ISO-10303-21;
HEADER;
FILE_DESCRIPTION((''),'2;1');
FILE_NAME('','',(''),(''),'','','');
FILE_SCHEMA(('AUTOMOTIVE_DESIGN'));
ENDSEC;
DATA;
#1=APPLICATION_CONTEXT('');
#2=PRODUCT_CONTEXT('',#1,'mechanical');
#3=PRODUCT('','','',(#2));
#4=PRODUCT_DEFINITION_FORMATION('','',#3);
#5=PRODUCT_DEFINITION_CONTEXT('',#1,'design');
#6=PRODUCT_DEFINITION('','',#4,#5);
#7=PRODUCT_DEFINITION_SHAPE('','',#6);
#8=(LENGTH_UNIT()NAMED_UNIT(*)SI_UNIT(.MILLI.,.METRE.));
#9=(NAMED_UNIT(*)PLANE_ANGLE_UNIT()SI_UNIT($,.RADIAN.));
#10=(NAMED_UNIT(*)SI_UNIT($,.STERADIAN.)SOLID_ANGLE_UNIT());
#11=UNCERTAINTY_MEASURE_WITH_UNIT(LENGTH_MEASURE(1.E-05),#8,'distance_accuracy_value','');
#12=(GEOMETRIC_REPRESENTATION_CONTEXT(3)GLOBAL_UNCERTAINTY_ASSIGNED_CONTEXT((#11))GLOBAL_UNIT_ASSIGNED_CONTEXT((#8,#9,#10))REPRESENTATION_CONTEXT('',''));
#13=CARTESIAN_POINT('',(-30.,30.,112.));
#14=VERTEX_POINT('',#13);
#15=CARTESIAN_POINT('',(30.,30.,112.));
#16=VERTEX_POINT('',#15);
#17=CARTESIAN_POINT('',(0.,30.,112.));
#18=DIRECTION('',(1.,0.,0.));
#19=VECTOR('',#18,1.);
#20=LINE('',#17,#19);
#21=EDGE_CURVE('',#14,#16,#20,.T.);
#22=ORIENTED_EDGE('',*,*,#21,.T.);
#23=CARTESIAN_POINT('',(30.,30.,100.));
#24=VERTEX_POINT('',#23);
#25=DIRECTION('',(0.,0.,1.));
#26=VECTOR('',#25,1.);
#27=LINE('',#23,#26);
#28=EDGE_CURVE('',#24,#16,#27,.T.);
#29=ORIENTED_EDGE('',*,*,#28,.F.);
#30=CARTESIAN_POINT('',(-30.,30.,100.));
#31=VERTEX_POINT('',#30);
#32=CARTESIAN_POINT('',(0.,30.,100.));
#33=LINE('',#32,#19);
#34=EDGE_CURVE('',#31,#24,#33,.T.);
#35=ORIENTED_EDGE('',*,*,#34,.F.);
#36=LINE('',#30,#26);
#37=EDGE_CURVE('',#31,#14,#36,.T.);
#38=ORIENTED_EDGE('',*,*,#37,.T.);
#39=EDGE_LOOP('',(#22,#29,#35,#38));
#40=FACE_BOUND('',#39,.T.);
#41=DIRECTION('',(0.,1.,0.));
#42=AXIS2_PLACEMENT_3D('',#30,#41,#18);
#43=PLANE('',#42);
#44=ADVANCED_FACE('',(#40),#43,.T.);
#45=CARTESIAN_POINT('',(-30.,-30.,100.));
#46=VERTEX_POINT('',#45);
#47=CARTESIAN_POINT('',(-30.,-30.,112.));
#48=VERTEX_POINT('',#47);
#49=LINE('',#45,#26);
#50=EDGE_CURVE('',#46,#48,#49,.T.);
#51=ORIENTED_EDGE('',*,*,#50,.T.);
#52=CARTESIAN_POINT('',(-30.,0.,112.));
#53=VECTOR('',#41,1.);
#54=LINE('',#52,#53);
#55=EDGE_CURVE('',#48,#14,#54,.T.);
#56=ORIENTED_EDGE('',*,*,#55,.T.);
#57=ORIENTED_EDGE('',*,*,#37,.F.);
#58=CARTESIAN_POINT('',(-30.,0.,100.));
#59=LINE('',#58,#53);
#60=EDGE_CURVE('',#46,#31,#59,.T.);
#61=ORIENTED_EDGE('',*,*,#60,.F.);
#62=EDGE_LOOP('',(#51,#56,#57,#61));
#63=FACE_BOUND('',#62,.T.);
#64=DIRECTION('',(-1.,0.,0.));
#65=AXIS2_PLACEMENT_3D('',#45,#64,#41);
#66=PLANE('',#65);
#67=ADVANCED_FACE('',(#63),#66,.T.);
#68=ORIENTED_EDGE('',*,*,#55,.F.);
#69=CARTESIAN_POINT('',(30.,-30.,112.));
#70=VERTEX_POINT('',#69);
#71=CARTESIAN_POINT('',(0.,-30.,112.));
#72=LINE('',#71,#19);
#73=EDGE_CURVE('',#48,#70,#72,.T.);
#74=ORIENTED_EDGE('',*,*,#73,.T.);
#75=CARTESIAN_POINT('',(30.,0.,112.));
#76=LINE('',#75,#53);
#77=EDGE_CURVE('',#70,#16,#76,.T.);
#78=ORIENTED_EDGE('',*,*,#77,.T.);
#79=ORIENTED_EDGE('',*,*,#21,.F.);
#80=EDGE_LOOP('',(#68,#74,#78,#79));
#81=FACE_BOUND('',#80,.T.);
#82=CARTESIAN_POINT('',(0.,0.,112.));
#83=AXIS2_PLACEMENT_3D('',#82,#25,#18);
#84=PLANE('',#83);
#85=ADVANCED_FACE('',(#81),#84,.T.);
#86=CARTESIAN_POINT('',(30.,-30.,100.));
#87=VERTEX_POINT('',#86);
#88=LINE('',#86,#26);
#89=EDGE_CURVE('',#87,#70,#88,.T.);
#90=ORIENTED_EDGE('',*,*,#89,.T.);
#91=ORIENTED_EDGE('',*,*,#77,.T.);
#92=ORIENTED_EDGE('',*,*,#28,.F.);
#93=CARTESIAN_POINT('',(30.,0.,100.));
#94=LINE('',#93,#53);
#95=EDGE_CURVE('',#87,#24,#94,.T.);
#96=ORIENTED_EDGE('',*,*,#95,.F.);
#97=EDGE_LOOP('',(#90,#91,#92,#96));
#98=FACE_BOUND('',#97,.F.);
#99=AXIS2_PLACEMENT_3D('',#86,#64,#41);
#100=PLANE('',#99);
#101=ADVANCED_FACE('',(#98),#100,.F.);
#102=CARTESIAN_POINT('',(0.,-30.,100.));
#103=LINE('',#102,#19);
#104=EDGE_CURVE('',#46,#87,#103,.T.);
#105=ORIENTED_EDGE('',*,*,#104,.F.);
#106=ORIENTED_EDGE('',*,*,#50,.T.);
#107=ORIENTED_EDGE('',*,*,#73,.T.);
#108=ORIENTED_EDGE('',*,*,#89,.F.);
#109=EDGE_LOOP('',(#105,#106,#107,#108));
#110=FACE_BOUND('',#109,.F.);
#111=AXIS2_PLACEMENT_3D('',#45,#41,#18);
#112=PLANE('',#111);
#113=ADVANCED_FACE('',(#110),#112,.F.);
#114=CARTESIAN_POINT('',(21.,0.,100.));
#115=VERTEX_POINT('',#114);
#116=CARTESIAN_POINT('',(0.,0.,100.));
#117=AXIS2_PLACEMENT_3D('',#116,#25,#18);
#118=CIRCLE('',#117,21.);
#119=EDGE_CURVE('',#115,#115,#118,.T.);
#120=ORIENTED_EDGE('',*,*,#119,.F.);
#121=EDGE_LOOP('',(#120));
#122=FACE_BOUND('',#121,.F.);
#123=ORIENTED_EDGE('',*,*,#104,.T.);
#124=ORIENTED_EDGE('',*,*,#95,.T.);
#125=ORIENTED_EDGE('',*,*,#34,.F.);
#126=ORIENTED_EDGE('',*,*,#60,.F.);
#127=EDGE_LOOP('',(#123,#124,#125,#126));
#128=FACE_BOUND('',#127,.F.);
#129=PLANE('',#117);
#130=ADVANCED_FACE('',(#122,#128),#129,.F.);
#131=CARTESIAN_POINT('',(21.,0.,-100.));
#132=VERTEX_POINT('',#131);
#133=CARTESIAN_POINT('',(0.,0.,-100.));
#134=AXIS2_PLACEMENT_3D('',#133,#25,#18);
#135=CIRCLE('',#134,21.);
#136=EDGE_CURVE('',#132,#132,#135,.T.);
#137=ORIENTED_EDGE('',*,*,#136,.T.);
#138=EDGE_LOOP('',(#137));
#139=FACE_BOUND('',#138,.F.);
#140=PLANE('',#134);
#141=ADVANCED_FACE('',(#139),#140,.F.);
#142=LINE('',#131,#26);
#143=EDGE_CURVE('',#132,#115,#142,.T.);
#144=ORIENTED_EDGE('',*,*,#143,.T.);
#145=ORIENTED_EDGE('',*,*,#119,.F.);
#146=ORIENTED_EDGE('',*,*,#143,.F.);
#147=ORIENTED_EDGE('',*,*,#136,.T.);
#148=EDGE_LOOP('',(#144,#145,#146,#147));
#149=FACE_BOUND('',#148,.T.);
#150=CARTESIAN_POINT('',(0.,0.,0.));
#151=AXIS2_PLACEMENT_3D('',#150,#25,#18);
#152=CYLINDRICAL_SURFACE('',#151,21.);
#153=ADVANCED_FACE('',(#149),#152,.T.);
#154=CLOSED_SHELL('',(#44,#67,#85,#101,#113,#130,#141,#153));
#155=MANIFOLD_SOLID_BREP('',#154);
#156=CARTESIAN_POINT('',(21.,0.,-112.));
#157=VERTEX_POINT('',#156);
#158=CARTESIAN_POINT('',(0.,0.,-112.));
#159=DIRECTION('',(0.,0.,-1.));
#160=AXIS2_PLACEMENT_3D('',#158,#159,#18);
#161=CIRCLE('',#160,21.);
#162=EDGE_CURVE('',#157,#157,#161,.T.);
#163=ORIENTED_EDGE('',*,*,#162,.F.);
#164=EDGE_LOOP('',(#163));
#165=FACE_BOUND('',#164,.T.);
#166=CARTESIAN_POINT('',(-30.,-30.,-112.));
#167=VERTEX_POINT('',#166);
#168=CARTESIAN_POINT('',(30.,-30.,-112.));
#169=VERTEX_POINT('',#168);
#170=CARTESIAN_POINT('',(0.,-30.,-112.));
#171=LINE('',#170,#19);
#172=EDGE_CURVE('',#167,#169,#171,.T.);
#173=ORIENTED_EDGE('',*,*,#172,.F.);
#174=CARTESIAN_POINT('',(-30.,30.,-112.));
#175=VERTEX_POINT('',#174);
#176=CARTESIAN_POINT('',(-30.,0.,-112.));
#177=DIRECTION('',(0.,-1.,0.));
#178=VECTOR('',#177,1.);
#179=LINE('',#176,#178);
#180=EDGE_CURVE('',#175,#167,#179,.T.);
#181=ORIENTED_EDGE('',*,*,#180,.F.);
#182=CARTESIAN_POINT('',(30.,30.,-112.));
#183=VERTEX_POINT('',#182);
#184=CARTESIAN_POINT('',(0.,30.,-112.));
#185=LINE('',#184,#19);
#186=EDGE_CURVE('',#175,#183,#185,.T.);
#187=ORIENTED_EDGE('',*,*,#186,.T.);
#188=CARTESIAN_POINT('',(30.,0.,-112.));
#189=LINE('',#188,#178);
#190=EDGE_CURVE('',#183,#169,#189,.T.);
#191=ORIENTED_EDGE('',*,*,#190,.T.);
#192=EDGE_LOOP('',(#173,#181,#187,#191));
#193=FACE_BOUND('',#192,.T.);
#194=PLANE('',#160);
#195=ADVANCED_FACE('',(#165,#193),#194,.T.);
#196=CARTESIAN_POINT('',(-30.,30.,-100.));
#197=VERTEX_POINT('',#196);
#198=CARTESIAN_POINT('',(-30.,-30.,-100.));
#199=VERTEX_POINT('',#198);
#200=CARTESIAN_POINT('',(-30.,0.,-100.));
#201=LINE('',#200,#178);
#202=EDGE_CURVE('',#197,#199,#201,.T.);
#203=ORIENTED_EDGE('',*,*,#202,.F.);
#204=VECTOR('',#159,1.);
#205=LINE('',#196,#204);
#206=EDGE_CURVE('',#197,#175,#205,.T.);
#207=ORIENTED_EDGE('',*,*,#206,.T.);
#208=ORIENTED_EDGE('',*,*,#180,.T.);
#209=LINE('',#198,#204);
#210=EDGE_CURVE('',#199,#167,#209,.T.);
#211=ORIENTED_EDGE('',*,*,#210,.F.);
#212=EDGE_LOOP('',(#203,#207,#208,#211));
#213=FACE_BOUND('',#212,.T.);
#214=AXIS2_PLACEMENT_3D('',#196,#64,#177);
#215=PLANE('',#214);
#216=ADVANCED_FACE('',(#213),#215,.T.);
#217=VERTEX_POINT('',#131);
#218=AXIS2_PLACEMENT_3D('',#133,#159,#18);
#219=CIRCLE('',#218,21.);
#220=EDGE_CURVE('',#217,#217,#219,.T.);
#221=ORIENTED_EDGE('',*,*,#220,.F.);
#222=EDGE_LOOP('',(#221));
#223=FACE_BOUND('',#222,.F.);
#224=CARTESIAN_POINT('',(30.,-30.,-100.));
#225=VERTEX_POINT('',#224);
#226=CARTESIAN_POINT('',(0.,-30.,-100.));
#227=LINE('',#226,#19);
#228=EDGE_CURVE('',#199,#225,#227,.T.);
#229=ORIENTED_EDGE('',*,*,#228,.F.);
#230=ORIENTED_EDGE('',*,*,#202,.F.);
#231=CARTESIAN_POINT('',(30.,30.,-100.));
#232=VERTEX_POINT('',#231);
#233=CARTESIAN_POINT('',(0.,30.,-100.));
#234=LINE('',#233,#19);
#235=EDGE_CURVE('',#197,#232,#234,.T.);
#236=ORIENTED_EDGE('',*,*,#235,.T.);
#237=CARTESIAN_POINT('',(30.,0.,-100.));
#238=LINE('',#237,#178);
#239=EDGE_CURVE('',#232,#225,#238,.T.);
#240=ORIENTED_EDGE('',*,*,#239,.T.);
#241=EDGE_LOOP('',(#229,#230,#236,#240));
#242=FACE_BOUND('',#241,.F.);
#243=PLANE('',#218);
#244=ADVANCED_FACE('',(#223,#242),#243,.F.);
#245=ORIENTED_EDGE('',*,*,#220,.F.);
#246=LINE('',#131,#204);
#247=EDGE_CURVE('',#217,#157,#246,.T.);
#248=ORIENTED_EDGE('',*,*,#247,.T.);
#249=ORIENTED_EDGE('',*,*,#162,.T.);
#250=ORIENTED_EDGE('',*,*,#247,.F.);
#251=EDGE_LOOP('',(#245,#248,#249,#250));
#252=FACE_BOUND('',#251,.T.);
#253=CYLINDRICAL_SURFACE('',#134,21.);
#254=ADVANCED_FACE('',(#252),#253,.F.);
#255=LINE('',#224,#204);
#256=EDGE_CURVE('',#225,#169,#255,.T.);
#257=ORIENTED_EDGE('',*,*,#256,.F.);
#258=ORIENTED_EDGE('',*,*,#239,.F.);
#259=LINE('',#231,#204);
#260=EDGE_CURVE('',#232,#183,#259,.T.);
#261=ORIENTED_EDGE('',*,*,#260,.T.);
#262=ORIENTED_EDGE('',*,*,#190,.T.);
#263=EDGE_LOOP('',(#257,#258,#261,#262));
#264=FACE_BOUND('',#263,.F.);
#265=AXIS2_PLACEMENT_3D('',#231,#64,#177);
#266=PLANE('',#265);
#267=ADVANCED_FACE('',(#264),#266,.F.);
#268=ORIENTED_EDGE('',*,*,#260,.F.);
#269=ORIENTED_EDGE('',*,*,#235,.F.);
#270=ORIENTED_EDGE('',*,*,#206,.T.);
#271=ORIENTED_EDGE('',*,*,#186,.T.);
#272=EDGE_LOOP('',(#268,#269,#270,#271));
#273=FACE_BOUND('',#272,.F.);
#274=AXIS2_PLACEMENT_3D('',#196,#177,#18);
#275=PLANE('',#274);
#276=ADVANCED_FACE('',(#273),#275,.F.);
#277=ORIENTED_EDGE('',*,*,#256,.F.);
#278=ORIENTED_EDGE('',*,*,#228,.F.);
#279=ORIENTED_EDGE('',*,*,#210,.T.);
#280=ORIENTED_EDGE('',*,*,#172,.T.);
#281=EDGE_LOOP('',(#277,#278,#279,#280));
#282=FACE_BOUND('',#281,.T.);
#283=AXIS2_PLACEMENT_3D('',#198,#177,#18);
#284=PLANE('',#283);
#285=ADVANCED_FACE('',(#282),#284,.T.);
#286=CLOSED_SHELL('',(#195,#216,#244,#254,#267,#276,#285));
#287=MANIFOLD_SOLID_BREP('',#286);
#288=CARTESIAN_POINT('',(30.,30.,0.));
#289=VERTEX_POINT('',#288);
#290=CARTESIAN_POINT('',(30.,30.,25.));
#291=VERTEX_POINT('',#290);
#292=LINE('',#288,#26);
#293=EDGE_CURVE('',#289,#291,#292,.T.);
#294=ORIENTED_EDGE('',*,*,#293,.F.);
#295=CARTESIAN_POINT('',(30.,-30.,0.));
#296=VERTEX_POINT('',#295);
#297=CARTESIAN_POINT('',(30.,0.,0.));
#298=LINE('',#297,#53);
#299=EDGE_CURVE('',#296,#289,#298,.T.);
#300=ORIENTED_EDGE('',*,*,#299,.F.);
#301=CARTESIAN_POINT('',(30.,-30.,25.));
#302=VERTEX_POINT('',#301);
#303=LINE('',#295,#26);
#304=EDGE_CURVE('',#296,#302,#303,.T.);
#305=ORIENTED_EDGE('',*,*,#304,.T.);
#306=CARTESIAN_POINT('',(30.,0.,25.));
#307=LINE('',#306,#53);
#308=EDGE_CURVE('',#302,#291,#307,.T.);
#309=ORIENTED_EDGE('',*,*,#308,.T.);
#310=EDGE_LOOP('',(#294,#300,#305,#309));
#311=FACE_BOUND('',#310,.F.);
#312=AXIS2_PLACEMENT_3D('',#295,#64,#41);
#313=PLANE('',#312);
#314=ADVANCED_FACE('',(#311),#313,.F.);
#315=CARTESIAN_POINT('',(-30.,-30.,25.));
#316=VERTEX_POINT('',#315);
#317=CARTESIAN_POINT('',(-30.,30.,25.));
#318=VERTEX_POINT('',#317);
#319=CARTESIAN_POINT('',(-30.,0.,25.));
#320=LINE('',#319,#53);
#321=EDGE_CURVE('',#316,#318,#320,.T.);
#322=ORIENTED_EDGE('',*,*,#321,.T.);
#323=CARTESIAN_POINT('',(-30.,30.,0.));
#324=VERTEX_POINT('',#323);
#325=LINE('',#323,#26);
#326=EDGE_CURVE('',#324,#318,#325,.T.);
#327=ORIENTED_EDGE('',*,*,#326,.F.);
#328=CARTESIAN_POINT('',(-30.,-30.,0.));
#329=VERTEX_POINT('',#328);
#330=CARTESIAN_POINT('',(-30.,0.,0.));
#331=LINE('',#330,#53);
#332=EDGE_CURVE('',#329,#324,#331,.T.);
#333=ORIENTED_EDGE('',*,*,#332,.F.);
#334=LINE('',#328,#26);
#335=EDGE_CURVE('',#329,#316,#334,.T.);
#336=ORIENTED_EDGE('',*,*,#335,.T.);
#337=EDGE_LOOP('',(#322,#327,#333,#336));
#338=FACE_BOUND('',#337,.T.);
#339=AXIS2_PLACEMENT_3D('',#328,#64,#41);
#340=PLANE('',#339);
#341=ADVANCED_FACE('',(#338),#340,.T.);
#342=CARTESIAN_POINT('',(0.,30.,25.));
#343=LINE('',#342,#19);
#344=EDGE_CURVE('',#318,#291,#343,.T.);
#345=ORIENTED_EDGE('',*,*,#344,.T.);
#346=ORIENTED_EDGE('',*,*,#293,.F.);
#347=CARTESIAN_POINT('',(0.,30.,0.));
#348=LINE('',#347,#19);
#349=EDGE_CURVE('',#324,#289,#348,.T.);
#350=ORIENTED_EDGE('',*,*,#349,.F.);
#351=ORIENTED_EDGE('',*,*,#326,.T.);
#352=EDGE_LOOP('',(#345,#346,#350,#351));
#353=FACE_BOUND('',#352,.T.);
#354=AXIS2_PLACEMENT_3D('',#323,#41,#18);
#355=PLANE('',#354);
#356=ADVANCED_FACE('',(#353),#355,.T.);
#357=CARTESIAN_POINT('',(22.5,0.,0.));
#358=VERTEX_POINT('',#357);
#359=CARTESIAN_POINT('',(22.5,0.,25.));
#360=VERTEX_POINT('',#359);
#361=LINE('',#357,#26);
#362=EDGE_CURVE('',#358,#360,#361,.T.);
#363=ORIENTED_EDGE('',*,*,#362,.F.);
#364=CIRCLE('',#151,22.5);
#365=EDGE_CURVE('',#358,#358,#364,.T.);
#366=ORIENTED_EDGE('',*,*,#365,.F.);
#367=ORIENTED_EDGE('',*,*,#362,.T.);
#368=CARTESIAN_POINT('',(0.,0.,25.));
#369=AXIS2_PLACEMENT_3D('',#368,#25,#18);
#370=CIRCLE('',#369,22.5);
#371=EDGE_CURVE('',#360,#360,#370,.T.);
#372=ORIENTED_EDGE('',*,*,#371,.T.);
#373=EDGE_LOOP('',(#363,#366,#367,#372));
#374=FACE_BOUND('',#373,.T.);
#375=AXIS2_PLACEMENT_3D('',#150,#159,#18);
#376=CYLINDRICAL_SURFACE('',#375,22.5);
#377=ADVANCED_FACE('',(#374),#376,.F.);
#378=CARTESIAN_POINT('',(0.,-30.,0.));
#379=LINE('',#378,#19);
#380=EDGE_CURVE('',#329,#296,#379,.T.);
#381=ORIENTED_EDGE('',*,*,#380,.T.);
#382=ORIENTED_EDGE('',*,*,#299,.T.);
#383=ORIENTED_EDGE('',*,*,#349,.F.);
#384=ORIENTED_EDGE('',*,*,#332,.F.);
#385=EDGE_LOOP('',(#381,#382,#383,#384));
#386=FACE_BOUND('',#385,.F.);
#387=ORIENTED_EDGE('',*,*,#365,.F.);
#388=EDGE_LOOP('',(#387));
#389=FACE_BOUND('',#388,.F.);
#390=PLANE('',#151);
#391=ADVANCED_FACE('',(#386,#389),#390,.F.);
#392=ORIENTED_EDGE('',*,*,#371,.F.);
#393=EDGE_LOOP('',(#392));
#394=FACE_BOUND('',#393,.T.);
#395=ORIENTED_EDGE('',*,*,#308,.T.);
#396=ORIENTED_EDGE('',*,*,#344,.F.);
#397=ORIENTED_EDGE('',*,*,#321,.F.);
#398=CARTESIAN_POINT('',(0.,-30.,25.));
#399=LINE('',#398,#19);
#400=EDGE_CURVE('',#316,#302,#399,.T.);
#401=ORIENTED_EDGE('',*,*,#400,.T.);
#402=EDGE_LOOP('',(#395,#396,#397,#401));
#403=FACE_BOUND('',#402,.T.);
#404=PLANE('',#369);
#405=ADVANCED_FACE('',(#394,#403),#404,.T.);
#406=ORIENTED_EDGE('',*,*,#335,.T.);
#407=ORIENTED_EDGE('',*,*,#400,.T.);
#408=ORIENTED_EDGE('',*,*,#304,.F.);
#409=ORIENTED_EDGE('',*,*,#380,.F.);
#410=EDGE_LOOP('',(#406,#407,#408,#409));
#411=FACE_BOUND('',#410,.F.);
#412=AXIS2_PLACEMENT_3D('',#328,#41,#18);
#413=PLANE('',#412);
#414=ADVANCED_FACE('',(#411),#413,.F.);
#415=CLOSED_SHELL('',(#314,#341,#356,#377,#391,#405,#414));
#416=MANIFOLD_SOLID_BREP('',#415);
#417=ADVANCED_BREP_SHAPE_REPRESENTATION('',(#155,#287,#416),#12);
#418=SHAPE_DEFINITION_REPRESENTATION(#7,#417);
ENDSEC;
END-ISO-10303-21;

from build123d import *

# Parameters (mm, degrees)
F0_W      = 60
F0_H      = 60
F2_DEPTH  = 25
F1_R      = 22.5
F3_DEPTH  = 25
F4_R      = 21
F5_DEPTH  = 100
F6_W      = 60
F6_H      = 60
F7_DEPTH  = 12
F9_W      = 60
F9_H      = 60
F9_R      = 21
F10_DEPTH = 12


with BuildPart() as f2:
    # F0 (on Top) → F2 (new body)
    with BuildSketch(Plane.XY):
        Rectangle(F0_W, F0_H)
    extrude(amount=F2_DEPTH)

    # F1 (on Top) → F3 (cut)
    with BuildSketch(Plane.XY):
        Circle(F1_R)
    extrude(amount=F3_DEPTH, mode=Mode.SUBTRACT)


with BuildPart() as f5:
    # F4 (on Top) → F5 (new body, symmetric)
    with BuildSketch(Plane.XY):
        Circle(F4_R)
    extrude(amount=F5_DEPTH, both=True)

    # F6 (on face) → F7 (join)
    with BuildSketch(Plane.XY.offset(100)):
        Rectangle(F6_W, F6_H)
    extrude(amount=F7_DEPTH)


with BuildPart() as f10:
    # F9 (on face) → F10 (new body)
    with BuildSketch(Plane(origin=(0, 0, -100), x_dir=(1, 0, 0), z_dir=(0, 0, -1))):
        Rectangle(F9_W, F9_H)
        Circle(F9_R, mode=Mode.SUBTRACT)
    extrude(amount=F10_DEPTH)


solid = Compound([f2.part, f5.part, f10.part])
